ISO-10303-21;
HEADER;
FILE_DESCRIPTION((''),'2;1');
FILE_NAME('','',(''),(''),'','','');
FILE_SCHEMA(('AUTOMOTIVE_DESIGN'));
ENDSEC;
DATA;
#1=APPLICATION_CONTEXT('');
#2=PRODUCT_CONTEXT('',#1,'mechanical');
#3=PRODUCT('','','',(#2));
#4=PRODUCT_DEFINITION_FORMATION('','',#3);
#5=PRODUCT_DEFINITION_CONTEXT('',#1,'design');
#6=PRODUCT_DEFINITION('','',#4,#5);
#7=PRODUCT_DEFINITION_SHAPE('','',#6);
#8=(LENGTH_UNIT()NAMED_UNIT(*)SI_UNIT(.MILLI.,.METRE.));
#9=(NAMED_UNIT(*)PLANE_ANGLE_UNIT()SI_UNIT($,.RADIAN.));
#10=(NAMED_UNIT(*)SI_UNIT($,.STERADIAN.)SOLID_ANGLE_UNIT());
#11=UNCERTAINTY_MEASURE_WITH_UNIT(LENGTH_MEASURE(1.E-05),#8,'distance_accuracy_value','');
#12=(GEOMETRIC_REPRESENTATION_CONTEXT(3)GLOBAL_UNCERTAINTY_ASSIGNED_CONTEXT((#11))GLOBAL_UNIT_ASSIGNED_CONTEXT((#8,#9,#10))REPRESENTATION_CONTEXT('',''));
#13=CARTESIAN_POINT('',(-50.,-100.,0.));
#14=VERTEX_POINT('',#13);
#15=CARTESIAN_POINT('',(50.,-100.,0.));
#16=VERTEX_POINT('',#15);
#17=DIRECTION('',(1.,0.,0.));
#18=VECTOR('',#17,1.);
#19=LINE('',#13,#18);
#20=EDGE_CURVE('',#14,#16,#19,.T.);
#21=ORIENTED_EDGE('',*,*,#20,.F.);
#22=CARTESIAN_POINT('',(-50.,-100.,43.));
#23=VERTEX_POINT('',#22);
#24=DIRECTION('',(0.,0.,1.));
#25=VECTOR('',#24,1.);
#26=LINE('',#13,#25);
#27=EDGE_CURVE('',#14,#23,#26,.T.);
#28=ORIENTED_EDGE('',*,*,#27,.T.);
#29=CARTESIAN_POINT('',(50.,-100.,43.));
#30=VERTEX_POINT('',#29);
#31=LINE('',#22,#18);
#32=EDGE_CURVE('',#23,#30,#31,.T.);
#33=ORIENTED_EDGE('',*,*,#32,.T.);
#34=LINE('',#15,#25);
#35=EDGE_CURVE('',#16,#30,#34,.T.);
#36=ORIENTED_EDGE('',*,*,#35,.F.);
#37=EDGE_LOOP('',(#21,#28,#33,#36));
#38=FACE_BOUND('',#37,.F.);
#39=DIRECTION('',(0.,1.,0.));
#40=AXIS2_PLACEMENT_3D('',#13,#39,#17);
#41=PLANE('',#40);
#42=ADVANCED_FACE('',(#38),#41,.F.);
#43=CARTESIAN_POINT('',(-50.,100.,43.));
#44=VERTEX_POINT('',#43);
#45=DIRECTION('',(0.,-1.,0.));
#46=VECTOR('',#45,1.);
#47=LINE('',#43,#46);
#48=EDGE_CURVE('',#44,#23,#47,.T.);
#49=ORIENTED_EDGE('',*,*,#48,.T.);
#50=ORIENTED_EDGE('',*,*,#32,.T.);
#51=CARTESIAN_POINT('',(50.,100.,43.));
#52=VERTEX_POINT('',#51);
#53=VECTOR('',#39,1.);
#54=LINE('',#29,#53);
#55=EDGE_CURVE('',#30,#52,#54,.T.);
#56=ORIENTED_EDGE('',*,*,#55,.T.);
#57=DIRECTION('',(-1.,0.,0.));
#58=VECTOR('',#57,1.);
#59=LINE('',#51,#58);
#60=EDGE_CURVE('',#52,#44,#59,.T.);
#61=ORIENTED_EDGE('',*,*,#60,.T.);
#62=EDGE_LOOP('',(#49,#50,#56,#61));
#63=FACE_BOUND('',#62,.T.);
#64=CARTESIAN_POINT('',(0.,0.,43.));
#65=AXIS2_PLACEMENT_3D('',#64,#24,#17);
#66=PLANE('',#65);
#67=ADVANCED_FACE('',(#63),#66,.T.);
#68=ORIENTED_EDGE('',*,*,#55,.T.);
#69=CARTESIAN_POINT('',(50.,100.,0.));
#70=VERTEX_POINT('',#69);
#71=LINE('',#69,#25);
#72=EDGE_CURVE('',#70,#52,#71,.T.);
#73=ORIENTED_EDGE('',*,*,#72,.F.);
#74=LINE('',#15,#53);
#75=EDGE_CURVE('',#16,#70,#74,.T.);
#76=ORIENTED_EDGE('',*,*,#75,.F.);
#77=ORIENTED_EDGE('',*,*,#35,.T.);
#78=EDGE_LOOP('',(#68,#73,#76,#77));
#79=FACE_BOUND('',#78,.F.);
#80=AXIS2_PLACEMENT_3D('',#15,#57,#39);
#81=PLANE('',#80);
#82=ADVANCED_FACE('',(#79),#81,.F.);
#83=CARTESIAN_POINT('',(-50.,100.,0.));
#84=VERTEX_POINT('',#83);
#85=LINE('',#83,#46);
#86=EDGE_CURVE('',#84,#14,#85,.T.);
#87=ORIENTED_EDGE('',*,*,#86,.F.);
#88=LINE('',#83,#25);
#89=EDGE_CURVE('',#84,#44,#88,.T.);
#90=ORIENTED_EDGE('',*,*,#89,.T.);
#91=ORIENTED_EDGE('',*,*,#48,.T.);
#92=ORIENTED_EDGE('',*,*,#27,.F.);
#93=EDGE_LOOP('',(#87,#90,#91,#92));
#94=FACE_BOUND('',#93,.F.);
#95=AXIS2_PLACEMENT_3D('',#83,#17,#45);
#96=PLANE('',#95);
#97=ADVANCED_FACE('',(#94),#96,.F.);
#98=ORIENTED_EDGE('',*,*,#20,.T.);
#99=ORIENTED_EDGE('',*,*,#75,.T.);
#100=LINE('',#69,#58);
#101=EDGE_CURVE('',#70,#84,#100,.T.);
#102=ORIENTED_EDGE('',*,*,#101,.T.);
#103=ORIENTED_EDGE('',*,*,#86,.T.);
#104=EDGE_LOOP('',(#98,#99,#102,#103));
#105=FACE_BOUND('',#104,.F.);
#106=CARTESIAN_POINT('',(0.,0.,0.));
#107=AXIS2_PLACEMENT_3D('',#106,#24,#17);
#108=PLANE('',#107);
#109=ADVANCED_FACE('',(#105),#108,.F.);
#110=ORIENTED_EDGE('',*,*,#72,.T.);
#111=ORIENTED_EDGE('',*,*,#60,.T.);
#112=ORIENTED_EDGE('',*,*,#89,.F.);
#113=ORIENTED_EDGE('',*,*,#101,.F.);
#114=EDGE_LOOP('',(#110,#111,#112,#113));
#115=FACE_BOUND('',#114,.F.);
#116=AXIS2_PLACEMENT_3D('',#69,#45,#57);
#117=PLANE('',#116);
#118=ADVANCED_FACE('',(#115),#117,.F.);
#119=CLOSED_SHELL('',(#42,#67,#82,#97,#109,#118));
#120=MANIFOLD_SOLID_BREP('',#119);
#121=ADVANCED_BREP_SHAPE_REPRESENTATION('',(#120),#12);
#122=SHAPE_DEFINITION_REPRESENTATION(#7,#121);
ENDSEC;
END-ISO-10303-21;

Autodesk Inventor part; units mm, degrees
ref_plane "YZ Plane" through (0, 0, 0) normal (1, 0, 0) x (0, 1, 0)
ref_plane "XZ Plane" through (0, 0, 0) normal (0, 1, 0) x (-1, 0, 0)
ref_plane "XY Plane" through (0, 0, 0) normal (0, 0, 1) x (1, 0, 0)
sketch "Sketch1" plane through (0, 0, 0) normal (0, 0, 1) x (1, 0, 0)
  line L0 (-50, -100) -> (50, -100)
  line L1 (50, -100) -> (50, 100)
  line L2 (50, 100) -> (-50, 100)
  line L3 (-50, 100) -> (-50, -100)
  line L4 (-50, -100) -> (50, 100) construction
  line L5 (50, -100) -> (-50, 100) construction
  point P0 (0, 0)
  dimension "d0" = 100
  dimension "d1" = 200
extrude "Extrusion1" add sketch "Sketch1" along normal blind 43
properties part number "Netzteil" material "Aluminum 6061"
